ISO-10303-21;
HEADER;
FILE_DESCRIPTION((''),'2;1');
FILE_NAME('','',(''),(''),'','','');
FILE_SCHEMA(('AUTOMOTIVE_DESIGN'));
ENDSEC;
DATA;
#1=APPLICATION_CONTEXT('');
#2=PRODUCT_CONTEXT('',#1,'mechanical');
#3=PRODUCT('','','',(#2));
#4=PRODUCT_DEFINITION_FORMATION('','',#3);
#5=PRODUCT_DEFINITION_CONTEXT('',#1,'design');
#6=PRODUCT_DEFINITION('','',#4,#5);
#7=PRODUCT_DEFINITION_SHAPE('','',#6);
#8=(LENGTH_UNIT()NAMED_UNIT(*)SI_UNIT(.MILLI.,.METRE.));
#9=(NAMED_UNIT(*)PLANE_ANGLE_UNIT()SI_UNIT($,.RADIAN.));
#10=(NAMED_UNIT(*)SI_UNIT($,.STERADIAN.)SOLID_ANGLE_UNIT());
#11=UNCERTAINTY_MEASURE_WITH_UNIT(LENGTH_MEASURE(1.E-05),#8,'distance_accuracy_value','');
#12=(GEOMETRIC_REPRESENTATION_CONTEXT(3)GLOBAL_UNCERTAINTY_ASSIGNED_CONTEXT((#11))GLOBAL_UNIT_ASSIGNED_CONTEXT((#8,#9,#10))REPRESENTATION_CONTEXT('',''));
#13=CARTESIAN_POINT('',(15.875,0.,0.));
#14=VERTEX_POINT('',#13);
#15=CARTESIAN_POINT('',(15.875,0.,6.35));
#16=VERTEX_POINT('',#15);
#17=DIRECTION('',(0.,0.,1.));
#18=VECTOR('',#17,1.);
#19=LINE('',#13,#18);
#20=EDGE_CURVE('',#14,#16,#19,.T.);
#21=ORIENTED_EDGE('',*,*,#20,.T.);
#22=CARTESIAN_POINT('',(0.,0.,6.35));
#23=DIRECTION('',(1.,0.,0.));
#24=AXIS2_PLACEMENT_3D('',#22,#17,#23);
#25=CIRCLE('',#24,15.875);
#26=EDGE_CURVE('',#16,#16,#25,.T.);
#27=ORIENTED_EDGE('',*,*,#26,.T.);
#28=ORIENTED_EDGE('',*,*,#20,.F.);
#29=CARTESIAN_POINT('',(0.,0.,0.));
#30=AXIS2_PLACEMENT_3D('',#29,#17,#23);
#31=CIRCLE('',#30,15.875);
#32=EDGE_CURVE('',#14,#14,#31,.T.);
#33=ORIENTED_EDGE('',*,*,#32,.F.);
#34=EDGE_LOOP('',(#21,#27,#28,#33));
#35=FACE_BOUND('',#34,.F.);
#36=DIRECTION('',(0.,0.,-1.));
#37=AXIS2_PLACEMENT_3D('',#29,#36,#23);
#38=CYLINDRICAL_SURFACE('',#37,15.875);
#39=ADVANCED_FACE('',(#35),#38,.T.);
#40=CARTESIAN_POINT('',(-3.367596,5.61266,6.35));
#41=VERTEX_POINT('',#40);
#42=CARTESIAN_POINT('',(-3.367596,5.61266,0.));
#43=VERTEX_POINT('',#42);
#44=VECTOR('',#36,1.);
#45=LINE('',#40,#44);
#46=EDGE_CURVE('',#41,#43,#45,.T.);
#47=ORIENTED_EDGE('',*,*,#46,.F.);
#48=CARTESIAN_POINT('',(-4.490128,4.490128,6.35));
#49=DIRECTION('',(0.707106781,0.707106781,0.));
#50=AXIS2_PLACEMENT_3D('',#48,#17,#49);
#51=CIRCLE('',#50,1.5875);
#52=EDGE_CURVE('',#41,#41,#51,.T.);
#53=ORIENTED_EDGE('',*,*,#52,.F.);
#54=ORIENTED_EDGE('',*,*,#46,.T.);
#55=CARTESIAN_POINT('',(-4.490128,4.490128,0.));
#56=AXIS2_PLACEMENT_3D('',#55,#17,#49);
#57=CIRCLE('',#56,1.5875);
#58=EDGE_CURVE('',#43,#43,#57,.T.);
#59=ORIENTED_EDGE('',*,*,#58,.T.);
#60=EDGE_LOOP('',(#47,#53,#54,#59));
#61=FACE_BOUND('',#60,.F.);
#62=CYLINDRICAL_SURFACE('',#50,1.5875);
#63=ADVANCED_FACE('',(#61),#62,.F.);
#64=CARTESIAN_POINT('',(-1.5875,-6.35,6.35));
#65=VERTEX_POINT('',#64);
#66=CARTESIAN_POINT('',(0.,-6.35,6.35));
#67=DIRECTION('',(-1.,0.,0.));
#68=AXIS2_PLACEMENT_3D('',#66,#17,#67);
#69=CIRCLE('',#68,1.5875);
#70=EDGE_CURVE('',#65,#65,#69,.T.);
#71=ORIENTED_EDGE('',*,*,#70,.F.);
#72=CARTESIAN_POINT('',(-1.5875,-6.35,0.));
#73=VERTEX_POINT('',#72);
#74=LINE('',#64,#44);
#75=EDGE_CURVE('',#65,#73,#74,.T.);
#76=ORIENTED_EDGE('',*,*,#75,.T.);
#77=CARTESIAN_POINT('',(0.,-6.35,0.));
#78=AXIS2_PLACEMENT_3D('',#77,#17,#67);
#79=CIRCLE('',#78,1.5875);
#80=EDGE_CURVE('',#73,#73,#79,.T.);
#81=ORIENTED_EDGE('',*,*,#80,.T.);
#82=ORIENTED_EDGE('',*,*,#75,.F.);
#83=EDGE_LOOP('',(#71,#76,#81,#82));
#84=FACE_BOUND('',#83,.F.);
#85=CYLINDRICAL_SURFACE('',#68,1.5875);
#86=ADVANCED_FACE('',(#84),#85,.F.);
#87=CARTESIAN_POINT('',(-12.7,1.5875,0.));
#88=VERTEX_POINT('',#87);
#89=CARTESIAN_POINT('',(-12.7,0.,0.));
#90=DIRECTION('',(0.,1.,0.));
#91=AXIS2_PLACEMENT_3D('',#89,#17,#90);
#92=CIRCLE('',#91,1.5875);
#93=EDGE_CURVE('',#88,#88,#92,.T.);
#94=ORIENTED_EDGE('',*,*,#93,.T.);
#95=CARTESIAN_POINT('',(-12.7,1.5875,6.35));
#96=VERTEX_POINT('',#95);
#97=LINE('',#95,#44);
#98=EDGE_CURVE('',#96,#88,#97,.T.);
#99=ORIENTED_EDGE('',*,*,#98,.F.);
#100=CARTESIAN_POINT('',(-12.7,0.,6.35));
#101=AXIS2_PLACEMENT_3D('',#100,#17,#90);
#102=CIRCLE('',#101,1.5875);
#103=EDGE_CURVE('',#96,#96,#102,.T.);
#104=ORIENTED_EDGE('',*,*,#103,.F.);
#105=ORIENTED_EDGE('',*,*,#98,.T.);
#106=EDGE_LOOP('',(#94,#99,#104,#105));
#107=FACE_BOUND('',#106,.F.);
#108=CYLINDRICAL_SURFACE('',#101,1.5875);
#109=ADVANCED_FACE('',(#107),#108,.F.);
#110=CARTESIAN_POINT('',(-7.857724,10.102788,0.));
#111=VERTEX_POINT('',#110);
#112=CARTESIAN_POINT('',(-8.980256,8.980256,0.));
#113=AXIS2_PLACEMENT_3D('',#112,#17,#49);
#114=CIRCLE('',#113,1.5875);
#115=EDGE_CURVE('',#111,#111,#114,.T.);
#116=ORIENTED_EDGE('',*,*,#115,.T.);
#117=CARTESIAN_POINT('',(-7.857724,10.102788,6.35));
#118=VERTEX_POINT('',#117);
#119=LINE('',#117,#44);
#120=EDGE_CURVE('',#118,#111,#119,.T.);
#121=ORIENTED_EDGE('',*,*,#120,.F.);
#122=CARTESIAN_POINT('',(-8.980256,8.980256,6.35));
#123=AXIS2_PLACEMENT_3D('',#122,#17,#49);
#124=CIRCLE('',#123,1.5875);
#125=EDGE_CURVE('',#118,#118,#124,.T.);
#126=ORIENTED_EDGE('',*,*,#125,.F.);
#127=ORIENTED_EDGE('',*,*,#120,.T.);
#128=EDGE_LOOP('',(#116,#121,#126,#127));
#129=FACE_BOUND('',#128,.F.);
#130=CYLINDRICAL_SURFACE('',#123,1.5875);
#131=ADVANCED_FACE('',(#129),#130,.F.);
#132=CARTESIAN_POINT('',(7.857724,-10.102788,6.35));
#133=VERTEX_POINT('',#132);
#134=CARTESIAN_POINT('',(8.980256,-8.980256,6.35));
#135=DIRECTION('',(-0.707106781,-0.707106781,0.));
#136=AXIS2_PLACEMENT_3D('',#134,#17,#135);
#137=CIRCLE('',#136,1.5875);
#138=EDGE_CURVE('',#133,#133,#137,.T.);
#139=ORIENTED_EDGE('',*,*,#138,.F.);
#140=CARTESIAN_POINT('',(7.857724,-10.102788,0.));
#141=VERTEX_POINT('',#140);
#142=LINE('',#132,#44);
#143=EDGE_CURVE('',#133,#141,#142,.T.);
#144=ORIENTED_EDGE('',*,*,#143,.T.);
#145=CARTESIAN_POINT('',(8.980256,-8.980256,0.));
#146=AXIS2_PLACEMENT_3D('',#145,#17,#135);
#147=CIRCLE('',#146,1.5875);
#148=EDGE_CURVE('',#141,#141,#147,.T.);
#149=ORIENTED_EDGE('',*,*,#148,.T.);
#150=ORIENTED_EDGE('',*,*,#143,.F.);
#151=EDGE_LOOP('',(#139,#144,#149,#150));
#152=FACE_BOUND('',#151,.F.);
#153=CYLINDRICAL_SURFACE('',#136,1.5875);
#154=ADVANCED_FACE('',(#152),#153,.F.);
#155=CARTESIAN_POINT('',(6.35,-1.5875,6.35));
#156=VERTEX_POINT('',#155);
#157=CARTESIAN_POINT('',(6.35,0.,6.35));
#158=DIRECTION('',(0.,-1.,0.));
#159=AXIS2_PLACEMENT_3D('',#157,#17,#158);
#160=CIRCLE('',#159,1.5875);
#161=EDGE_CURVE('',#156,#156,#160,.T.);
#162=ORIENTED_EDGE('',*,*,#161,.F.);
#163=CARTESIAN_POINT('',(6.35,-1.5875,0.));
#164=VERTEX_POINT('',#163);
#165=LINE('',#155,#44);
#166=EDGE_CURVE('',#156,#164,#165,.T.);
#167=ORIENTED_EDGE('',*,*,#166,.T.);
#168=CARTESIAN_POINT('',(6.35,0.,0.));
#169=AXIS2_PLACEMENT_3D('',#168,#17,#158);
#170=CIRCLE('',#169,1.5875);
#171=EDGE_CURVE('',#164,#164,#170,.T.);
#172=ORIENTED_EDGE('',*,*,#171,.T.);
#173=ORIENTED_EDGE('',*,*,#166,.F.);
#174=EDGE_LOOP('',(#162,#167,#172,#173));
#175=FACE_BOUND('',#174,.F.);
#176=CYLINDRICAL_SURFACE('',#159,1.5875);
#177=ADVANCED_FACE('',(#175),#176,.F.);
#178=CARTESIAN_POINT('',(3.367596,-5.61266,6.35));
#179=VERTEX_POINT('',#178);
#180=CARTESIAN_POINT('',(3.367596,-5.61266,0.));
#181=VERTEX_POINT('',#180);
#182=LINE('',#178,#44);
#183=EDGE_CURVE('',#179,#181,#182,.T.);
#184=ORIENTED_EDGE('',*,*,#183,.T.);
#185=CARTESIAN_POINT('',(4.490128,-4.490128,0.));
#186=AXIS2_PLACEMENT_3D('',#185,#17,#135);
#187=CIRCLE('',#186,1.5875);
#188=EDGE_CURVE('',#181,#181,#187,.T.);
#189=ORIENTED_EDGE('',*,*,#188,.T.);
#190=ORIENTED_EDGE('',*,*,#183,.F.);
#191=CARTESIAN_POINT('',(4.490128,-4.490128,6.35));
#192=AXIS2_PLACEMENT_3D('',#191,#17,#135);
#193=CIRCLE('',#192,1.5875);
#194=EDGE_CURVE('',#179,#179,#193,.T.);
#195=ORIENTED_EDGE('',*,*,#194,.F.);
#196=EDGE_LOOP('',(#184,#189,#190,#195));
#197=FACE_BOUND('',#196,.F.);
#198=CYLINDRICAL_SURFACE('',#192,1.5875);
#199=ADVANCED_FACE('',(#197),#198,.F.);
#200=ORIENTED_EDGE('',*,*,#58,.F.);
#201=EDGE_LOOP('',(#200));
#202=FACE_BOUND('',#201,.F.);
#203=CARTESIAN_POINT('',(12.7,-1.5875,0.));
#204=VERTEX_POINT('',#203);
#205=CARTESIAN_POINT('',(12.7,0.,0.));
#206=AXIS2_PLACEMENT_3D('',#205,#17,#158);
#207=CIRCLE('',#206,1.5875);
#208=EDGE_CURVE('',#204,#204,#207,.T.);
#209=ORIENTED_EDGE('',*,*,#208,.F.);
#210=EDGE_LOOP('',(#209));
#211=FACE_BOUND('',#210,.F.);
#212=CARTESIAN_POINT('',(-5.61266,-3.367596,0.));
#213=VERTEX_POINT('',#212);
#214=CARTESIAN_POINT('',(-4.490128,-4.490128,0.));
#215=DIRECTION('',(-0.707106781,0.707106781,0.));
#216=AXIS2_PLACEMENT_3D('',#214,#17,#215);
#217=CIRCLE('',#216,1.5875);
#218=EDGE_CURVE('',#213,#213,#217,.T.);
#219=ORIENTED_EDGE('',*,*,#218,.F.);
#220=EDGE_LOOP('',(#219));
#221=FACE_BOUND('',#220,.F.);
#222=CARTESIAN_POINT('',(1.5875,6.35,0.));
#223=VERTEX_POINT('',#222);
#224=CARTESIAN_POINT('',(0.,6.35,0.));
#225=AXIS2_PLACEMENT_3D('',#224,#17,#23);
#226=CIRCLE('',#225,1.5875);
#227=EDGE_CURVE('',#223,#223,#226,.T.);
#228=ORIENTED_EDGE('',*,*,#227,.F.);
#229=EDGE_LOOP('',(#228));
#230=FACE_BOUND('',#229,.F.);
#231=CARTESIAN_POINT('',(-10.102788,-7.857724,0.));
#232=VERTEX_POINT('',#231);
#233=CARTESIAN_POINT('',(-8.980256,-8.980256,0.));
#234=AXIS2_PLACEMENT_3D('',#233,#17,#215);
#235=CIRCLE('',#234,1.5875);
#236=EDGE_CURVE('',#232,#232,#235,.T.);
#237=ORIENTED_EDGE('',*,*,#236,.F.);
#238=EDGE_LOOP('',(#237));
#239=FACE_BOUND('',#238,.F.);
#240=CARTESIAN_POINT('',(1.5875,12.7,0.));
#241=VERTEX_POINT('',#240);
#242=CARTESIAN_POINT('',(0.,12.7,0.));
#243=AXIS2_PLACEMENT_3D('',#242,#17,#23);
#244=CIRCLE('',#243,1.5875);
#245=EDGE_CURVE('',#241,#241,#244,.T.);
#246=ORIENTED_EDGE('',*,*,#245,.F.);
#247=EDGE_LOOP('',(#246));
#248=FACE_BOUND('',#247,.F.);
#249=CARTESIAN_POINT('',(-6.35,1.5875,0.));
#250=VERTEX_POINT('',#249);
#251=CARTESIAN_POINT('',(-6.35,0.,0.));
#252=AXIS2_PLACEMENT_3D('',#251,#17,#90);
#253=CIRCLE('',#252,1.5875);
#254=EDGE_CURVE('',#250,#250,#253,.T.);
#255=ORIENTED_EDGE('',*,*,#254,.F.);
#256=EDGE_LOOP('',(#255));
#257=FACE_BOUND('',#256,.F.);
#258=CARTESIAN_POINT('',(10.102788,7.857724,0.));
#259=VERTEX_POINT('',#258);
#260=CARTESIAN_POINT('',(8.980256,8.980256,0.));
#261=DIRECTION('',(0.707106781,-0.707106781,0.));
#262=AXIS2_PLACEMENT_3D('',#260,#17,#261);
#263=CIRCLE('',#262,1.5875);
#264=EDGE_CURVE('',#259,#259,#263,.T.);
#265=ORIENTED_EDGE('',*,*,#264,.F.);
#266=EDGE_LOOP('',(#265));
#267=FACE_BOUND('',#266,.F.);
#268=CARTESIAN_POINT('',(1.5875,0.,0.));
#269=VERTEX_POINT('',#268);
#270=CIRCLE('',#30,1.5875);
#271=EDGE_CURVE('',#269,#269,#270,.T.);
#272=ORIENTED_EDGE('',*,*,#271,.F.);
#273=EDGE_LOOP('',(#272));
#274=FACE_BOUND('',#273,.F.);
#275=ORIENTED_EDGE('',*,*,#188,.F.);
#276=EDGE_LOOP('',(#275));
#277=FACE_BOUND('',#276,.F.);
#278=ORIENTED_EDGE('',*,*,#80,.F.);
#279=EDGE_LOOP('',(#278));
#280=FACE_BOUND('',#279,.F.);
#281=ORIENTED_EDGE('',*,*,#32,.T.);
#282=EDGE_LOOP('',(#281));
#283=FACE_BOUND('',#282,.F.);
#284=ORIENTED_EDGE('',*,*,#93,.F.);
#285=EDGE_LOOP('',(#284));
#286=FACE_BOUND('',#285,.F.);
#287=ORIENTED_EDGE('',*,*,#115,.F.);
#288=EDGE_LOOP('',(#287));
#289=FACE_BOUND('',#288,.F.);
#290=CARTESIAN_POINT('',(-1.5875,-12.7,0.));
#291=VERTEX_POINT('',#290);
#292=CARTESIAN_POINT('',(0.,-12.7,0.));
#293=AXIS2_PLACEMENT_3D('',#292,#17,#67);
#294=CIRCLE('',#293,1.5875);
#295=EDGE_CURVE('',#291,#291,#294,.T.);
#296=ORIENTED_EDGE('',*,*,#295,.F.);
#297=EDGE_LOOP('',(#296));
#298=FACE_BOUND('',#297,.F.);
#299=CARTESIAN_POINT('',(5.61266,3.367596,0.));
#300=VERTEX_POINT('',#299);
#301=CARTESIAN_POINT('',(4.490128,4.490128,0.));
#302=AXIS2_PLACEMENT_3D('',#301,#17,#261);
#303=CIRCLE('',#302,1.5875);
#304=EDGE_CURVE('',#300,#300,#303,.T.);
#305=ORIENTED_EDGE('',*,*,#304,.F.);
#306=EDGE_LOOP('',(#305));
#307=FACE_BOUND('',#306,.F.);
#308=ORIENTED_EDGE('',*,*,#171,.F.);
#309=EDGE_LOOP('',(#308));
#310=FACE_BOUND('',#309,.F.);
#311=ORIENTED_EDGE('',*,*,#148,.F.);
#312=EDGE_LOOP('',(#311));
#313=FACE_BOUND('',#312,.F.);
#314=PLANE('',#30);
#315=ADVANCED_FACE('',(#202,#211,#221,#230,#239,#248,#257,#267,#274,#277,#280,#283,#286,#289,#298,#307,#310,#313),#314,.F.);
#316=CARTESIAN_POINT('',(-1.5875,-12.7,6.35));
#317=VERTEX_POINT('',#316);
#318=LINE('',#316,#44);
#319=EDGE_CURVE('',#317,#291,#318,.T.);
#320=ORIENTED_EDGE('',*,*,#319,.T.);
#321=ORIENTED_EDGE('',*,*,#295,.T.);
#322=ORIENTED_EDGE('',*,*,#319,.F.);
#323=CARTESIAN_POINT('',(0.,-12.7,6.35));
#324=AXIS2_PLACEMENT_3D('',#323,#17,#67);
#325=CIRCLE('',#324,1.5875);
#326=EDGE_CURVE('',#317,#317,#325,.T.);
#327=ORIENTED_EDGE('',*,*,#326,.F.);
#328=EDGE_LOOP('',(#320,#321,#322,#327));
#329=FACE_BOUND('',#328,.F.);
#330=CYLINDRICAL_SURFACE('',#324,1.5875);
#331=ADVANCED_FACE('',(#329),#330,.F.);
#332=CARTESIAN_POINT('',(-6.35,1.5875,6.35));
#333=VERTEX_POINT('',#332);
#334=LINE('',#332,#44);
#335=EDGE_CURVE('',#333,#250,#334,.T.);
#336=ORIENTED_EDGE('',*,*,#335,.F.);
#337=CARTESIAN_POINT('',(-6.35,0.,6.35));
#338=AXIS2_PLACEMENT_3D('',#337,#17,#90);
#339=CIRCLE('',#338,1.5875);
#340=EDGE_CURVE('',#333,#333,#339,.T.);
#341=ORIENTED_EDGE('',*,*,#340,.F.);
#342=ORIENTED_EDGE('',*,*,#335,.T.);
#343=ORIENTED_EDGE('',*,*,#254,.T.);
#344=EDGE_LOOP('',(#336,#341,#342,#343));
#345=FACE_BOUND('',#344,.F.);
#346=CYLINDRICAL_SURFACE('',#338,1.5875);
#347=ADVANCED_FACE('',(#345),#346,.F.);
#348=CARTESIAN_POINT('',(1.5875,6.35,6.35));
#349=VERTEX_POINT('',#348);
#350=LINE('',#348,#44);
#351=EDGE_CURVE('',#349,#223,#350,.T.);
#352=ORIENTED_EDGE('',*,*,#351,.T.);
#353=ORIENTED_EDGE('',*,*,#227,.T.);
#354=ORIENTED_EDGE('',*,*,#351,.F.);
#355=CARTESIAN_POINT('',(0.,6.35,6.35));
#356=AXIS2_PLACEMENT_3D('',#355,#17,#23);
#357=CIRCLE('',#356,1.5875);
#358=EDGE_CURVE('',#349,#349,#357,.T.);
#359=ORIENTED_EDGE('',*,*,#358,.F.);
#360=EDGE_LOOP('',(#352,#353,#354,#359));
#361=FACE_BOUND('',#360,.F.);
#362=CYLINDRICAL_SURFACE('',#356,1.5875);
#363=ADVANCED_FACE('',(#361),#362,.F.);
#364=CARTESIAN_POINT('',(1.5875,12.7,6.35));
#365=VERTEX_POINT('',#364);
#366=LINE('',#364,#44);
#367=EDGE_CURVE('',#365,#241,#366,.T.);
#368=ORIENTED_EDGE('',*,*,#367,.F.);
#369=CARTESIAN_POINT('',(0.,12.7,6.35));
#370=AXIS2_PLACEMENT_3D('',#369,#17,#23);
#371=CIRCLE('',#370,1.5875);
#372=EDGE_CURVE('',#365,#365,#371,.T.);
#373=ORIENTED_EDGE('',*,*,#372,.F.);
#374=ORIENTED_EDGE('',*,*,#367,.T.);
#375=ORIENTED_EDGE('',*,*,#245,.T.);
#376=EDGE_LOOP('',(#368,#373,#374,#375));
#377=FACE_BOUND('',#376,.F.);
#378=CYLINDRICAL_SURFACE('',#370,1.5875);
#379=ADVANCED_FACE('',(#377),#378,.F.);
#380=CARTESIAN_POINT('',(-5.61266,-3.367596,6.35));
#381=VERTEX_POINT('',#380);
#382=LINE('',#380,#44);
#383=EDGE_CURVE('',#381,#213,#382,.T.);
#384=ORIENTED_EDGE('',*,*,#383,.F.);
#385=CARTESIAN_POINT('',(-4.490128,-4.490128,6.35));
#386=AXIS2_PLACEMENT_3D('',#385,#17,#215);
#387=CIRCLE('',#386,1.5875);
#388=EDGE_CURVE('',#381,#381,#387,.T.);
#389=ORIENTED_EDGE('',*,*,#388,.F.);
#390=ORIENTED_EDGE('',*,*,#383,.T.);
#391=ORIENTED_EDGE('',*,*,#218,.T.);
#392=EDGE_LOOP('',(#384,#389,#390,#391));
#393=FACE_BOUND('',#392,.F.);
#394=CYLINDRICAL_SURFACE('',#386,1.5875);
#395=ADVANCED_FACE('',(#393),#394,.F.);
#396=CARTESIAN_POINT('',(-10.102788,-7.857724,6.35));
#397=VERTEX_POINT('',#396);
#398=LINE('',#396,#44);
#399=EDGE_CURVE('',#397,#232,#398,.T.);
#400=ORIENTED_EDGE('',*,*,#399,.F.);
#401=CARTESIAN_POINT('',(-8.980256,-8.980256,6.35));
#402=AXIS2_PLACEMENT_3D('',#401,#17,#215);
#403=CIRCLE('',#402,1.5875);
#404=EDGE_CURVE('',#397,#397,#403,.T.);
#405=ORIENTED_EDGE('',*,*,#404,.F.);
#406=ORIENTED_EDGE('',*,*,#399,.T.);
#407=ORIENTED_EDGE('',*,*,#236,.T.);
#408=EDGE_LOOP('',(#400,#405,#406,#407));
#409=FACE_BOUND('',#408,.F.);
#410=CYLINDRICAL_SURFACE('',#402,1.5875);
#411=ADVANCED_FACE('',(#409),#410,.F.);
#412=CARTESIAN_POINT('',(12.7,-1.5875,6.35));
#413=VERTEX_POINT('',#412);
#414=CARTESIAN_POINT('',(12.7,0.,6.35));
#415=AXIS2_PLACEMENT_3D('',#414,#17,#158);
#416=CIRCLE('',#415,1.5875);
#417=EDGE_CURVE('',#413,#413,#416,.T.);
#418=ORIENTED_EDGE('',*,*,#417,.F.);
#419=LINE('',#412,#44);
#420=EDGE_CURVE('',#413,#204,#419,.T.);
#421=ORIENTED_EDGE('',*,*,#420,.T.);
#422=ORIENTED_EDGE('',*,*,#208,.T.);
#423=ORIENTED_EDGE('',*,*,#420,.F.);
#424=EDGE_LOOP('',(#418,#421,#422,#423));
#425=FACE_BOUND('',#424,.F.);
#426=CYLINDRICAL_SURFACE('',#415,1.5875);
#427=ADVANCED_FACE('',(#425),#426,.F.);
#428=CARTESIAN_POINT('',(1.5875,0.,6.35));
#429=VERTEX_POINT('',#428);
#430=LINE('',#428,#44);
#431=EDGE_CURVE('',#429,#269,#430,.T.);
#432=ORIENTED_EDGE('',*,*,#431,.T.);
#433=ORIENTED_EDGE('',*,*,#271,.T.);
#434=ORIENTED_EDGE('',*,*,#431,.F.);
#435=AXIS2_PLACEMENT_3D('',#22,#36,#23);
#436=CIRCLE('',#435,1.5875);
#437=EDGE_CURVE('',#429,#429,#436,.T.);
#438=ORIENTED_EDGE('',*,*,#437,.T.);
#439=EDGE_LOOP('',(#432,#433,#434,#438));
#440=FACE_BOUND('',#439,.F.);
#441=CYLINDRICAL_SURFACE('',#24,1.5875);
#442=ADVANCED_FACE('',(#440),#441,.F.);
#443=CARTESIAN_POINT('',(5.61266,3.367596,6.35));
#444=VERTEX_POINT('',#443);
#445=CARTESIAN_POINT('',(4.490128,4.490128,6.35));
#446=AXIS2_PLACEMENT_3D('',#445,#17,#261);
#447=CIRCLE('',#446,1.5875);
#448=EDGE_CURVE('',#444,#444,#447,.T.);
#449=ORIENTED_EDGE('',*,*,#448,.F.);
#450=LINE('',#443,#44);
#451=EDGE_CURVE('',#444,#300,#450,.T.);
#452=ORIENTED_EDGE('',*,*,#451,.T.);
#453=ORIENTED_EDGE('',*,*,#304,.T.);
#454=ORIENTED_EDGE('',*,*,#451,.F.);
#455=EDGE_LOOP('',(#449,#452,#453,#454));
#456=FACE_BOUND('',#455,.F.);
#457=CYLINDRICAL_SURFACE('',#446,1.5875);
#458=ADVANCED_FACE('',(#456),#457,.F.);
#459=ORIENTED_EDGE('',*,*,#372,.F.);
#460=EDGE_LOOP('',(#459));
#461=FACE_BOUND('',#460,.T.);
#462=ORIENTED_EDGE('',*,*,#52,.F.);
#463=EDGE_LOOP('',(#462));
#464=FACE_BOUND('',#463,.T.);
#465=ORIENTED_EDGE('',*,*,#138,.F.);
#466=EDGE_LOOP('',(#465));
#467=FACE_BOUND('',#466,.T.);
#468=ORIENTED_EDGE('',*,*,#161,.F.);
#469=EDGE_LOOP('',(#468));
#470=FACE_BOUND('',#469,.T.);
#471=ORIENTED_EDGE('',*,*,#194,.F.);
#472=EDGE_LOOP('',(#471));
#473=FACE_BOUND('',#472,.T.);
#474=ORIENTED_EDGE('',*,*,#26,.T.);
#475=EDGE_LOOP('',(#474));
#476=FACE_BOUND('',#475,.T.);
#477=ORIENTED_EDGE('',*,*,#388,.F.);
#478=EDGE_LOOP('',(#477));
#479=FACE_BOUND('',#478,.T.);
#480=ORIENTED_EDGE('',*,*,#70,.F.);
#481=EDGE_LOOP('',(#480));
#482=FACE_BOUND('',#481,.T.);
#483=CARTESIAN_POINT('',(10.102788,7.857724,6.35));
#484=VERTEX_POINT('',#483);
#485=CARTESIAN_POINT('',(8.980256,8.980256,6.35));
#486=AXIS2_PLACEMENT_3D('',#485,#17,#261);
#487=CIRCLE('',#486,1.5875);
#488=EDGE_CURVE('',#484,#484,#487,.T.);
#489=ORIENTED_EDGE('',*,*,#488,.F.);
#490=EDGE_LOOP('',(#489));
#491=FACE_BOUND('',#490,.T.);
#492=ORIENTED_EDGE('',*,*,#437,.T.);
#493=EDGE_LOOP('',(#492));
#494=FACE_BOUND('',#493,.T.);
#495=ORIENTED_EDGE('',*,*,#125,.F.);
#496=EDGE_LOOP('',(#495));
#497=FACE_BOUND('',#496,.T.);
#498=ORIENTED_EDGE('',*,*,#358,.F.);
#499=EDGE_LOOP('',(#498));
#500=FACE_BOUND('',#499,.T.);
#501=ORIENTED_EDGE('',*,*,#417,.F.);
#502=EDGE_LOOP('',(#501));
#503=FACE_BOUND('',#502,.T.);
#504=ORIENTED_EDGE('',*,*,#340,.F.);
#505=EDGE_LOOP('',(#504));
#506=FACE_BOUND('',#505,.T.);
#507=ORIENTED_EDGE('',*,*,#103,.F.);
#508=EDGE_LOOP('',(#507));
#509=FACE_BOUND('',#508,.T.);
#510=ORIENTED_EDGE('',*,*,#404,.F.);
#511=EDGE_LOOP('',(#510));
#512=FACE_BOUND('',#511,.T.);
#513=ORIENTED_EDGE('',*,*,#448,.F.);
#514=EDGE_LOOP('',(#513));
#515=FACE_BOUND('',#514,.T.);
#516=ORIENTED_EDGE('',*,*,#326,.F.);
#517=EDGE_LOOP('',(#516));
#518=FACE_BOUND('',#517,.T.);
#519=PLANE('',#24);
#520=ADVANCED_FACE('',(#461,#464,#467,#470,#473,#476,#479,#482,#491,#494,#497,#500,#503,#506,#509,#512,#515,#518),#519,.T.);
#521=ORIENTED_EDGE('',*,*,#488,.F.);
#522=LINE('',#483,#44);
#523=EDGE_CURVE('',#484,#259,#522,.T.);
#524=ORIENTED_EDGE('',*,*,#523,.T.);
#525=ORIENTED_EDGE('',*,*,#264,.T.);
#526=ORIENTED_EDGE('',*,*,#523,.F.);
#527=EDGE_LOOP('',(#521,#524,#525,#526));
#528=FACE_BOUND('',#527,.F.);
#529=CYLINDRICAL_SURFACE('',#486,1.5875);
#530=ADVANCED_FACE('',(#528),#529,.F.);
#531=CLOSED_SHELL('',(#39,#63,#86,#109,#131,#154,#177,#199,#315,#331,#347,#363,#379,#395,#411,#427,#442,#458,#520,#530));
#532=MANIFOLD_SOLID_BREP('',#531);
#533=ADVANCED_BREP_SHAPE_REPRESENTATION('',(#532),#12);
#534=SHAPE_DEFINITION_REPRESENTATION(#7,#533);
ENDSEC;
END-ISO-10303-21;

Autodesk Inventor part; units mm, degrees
ref_plane "YZ Plane" through (0, 0, 0) normal (1, 0, 0) x (0, 1, 0)
ref_plane "XZ Plane" through (0, 0, 0) normal (0, 1, 0) x (-1, 0, 0)
ref_plane "XY Plane" through (0, 0, 0) normal (0, 0, 1) x (1, 0, 0)
sketch "Sketch1" plane through (0, 0, 0) normal (0, 0, 1) x (1, 0, 0)
  circle A0 centre (0, 0) radius 15.875 projected
extrude "Extrusion1" add sketch "Sketch1" along normal blind 6.35
sketch "Sketch3" plane through (0, 0, 6.35) normal (0, 0, 1) x (1, 0, 0)
  circle A0 centre (0, 0) radius 15.875 projected
  circle A1 centre (0, 12.7) radius 1.5875
  circle A2 centre (0, 6.35) radius 1.5875
  circle A3 centre (0, 0) radius 1.5875
  dimension "d4" = 3.175
  dimension "d5" = 3.175
  dimension "d6" = 3.175
  dimension "d7" = 6.35
  dimension "d8" = 6.35
extrude "Extrusion3" cut sketch "Sketch3" against normal blind 6.35 contours A1 | A2 | A3
pattern_circular "Circular Pattern1" count 8 over 360 about axis through (0, 0, 0) along (0, 0, 1) of "Extrusion3"
properties part number "lid"
